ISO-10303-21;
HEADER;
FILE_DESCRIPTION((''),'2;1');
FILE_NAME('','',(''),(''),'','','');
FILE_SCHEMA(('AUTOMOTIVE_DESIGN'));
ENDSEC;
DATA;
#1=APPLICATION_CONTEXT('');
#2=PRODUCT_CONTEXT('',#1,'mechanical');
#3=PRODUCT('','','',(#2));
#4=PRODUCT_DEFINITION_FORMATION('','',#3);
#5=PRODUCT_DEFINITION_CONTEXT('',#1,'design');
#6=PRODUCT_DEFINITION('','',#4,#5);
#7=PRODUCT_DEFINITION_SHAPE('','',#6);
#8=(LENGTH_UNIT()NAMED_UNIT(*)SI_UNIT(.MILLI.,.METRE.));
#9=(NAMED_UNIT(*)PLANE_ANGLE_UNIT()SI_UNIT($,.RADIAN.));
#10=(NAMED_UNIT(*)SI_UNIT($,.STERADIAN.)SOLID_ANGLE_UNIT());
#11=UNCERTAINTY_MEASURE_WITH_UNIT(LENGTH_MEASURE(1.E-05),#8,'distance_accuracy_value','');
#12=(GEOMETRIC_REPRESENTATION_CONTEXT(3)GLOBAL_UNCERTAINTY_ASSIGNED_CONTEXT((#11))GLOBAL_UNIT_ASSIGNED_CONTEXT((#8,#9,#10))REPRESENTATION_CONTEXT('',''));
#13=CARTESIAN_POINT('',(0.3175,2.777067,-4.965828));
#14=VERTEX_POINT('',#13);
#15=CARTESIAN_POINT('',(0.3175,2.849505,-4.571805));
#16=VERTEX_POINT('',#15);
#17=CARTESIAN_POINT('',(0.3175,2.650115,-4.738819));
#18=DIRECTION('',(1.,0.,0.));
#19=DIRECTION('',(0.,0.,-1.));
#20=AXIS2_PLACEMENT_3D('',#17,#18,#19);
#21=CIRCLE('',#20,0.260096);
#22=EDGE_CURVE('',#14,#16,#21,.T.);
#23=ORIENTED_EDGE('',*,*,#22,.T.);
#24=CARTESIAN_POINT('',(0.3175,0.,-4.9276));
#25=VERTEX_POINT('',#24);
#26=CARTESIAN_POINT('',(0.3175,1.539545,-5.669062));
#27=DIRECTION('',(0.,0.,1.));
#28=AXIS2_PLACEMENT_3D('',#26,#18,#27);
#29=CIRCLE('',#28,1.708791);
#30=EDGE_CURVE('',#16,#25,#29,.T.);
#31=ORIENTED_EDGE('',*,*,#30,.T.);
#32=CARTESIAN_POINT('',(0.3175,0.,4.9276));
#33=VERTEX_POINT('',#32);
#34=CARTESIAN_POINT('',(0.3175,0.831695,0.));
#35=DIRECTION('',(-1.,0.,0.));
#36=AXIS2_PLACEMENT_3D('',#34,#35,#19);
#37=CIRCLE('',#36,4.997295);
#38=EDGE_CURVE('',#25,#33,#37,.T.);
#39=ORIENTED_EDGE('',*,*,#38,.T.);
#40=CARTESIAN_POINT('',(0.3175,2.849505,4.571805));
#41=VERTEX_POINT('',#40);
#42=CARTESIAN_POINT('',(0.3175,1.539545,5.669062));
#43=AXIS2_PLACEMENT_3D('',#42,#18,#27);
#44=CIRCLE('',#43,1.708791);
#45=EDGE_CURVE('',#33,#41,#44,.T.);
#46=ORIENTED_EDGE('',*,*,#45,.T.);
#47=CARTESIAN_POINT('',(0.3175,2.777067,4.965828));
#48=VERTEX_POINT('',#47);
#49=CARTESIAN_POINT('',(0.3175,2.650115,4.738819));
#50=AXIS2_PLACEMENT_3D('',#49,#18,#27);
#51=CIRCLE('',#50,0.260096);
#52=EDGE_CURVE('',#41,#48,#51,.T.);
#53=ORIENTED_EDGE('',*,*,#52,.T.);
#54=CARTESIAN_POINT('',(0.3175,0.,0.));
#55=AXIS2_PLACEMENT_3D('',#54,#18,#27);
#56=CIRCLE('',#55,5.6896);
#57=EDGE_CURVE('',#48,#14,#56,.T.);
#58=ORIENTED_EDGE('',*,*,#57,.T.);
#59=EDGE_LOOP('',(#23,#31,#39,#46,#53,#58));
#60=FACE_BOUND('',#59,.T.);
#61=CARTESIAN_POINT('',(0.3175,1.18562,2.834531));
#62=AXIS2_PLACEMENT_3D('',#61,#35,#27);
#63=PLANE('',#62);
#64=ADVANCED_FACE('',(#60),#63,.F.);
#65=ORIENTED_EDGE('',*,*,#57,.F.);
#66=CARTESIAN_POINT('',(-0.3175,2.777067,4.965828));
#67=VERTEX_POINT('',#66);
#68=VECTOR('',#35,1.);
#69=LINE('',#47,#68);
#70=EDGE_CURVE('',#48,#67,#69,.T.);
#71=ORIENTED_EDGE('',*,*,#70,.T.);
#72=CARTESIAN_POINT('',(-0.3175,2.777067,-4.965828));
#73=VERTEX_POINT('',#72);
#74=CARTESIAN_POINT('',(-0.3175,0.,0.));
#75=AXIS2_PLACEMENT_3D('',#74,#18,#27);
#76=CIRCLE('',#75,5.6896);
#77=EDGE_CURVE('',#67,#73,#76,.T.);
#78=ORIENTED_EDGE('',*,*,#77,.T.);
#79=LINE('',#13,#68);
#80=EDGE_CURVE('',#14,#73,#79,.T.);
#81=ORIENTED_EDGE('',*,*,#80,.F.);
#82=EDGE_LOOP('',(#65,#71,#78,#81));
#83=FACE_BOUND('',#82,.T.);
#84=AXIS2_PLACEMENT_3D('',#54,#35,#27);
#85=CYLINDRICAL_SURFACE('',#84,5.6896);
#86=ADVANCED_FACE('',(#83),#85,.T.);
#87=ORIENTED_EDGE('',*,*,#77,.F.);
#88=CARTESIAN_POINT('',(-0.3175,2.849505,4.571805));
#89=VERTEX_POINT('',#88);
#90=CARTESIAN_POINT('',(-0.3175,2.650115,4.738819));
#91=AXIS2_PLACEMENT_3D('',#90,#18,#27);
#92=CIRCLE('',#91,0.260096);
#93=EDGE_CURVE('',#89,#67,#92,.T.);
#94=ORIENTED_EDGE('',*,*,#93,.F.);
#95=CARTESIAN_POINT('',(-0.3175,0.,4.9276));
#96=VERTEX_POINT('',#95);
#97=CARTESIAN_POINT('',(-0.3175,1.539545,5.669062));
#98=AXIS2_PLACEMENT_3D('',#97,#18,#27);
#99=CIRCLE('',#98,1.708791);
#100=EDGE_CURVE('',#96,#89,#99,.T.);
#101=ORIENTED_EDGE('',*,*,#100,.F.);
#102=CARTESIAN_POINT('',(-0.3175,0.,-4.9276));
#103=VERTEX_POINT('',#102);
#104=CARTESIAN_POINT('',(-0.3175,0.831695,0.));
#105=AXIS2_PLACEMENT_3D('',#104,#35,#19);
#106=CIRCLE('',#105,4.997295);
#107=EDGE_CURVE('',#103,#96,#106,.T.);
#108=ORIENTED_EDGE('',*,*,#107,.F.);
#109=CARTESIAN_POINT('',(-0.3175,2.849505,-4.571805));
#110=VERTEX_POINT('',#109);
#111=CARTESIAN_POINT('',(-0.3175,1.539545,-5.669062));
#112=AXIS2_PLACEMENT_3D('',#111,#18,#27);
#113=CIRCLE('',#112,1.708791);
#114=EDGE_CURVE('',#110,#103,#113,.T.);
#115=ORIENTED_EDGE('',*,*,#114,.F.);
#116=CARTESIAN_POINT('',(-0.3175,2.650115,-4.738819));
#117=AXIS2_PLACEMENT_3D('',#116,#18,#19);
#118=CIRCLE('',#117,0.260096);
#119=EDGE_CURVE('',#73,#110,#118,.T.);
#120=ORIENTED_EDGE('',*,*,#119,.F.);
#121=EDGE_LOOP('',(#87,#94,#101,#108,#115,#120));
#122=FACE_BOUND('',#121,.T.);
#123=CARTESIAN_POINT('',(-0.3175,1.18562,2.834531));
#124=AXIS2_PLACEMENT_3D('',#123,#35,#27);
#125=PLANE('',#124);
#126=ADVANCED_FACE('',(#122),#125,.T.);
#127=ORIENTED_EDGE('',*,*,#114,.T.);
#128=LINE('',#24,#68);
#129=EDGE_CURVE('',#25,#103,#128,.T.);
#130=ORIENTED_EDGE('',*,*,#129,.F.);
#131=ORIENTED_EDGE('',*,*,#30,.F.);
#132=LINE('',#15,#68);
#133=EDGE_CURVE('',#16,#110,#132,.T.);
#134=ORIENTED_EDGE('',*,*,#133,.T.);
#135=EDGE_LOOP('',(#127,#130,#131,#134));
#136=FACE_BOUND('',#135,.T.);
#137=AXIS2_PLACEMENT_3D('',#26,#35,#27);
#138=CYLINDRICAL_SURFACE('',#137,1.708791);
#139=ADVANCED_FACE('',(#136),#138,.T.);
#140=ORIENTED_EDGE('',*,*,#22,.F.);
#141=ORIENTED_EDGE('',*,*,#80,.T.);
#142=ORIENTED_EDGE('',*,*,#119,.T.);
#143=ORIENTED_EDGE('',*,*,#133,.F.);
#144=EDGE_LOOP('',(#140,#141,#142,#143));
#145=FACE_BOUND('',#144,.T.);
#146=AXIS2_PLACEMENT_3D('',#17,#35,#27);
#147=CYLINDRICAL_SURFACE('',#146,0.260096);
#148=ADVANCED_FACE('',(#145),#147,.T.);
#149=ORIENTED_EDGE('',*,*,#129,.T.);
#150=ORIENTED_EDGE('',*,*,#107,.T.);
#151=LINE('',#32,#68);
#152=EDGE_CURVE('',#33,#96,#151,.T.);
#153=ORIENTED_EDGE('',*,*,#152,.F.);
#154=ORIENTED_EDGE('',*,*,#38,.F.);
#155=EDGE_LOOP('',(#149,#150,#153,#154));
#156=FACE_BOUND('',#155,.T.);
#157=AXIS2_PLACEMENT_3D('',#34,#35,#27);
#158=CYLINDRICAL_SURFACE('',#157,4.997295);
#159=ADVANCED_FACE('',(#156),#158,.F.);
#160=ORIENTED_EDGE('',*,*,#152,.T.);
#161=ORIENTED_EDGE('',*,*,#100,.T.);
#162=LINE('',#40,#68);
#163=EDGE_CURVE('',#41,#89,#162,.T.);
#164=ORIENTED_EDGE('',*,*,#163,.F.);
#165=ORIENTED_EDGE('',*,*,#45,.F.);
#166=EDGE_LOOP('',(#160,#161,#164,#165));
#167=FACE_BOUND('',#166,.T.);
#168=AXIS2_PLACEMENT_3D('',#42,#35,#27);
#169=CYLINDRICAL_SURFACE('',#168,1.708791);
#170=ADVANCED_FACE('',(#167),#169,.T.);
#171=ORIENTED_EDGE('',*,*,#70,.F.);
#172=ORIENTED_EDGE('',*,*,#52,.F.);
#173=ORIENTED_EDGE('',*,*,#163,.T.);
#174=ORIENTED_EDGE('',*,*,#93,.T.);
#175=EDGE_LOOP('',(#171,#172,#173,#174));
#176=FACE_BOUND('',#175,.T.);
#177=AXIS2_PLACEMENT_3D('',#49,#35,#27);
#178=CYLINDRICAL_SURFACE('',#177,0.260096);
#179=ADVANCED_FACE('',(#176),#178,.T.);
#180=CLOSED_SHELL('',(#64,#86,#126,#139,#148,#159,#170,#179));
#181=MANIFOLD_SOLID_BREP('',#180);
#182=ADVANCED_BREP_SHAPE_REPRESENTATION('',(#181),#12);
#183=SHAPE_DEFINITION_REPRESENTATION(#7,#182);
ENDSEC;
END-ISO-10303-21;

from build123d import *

# Parameters (mm, degrees)
EXTRUDE1_DEPTH = 0.3175


with BuildPart() as part:
    # Sketch1 → Extrude1 (new body, symmetric)
    with BuildSketch(Plane(origin=(0, 0, 0), x_dir=(0, 0, -1), z_dir=(1, 0, 0))):
        with BuildLine():
            ThreePointArc((-4.9276, 0), (0, -4.1656), (4.9276, 0))
            ThreePointArc((4.9276, 0), (3.973438211, 1.327826383), (4.571805292, 2.849504554))
            ThreePointArc((4.571805292, 2.849504554), (4.785847498, 2.905923889), (4.965828117, 2.777066667))
            ThreePointArc((4.965828117, 2.777066667), (0, -5.6896), (-4.965828117, 2.777066667))
            ThreePointArc((-4.965828117, 2.777066667), (-4.785847498, 2.905923889), (-4.571805292, 2.849504554))
            ThreePointArc((-4.571805292, 2.849504554), (-3.973438211, 1.327826383), (-4.9276, 0))
        make_face()
    extrude(amount=EXTRUDE1_DEPTH, both=True)


solid = part.part
